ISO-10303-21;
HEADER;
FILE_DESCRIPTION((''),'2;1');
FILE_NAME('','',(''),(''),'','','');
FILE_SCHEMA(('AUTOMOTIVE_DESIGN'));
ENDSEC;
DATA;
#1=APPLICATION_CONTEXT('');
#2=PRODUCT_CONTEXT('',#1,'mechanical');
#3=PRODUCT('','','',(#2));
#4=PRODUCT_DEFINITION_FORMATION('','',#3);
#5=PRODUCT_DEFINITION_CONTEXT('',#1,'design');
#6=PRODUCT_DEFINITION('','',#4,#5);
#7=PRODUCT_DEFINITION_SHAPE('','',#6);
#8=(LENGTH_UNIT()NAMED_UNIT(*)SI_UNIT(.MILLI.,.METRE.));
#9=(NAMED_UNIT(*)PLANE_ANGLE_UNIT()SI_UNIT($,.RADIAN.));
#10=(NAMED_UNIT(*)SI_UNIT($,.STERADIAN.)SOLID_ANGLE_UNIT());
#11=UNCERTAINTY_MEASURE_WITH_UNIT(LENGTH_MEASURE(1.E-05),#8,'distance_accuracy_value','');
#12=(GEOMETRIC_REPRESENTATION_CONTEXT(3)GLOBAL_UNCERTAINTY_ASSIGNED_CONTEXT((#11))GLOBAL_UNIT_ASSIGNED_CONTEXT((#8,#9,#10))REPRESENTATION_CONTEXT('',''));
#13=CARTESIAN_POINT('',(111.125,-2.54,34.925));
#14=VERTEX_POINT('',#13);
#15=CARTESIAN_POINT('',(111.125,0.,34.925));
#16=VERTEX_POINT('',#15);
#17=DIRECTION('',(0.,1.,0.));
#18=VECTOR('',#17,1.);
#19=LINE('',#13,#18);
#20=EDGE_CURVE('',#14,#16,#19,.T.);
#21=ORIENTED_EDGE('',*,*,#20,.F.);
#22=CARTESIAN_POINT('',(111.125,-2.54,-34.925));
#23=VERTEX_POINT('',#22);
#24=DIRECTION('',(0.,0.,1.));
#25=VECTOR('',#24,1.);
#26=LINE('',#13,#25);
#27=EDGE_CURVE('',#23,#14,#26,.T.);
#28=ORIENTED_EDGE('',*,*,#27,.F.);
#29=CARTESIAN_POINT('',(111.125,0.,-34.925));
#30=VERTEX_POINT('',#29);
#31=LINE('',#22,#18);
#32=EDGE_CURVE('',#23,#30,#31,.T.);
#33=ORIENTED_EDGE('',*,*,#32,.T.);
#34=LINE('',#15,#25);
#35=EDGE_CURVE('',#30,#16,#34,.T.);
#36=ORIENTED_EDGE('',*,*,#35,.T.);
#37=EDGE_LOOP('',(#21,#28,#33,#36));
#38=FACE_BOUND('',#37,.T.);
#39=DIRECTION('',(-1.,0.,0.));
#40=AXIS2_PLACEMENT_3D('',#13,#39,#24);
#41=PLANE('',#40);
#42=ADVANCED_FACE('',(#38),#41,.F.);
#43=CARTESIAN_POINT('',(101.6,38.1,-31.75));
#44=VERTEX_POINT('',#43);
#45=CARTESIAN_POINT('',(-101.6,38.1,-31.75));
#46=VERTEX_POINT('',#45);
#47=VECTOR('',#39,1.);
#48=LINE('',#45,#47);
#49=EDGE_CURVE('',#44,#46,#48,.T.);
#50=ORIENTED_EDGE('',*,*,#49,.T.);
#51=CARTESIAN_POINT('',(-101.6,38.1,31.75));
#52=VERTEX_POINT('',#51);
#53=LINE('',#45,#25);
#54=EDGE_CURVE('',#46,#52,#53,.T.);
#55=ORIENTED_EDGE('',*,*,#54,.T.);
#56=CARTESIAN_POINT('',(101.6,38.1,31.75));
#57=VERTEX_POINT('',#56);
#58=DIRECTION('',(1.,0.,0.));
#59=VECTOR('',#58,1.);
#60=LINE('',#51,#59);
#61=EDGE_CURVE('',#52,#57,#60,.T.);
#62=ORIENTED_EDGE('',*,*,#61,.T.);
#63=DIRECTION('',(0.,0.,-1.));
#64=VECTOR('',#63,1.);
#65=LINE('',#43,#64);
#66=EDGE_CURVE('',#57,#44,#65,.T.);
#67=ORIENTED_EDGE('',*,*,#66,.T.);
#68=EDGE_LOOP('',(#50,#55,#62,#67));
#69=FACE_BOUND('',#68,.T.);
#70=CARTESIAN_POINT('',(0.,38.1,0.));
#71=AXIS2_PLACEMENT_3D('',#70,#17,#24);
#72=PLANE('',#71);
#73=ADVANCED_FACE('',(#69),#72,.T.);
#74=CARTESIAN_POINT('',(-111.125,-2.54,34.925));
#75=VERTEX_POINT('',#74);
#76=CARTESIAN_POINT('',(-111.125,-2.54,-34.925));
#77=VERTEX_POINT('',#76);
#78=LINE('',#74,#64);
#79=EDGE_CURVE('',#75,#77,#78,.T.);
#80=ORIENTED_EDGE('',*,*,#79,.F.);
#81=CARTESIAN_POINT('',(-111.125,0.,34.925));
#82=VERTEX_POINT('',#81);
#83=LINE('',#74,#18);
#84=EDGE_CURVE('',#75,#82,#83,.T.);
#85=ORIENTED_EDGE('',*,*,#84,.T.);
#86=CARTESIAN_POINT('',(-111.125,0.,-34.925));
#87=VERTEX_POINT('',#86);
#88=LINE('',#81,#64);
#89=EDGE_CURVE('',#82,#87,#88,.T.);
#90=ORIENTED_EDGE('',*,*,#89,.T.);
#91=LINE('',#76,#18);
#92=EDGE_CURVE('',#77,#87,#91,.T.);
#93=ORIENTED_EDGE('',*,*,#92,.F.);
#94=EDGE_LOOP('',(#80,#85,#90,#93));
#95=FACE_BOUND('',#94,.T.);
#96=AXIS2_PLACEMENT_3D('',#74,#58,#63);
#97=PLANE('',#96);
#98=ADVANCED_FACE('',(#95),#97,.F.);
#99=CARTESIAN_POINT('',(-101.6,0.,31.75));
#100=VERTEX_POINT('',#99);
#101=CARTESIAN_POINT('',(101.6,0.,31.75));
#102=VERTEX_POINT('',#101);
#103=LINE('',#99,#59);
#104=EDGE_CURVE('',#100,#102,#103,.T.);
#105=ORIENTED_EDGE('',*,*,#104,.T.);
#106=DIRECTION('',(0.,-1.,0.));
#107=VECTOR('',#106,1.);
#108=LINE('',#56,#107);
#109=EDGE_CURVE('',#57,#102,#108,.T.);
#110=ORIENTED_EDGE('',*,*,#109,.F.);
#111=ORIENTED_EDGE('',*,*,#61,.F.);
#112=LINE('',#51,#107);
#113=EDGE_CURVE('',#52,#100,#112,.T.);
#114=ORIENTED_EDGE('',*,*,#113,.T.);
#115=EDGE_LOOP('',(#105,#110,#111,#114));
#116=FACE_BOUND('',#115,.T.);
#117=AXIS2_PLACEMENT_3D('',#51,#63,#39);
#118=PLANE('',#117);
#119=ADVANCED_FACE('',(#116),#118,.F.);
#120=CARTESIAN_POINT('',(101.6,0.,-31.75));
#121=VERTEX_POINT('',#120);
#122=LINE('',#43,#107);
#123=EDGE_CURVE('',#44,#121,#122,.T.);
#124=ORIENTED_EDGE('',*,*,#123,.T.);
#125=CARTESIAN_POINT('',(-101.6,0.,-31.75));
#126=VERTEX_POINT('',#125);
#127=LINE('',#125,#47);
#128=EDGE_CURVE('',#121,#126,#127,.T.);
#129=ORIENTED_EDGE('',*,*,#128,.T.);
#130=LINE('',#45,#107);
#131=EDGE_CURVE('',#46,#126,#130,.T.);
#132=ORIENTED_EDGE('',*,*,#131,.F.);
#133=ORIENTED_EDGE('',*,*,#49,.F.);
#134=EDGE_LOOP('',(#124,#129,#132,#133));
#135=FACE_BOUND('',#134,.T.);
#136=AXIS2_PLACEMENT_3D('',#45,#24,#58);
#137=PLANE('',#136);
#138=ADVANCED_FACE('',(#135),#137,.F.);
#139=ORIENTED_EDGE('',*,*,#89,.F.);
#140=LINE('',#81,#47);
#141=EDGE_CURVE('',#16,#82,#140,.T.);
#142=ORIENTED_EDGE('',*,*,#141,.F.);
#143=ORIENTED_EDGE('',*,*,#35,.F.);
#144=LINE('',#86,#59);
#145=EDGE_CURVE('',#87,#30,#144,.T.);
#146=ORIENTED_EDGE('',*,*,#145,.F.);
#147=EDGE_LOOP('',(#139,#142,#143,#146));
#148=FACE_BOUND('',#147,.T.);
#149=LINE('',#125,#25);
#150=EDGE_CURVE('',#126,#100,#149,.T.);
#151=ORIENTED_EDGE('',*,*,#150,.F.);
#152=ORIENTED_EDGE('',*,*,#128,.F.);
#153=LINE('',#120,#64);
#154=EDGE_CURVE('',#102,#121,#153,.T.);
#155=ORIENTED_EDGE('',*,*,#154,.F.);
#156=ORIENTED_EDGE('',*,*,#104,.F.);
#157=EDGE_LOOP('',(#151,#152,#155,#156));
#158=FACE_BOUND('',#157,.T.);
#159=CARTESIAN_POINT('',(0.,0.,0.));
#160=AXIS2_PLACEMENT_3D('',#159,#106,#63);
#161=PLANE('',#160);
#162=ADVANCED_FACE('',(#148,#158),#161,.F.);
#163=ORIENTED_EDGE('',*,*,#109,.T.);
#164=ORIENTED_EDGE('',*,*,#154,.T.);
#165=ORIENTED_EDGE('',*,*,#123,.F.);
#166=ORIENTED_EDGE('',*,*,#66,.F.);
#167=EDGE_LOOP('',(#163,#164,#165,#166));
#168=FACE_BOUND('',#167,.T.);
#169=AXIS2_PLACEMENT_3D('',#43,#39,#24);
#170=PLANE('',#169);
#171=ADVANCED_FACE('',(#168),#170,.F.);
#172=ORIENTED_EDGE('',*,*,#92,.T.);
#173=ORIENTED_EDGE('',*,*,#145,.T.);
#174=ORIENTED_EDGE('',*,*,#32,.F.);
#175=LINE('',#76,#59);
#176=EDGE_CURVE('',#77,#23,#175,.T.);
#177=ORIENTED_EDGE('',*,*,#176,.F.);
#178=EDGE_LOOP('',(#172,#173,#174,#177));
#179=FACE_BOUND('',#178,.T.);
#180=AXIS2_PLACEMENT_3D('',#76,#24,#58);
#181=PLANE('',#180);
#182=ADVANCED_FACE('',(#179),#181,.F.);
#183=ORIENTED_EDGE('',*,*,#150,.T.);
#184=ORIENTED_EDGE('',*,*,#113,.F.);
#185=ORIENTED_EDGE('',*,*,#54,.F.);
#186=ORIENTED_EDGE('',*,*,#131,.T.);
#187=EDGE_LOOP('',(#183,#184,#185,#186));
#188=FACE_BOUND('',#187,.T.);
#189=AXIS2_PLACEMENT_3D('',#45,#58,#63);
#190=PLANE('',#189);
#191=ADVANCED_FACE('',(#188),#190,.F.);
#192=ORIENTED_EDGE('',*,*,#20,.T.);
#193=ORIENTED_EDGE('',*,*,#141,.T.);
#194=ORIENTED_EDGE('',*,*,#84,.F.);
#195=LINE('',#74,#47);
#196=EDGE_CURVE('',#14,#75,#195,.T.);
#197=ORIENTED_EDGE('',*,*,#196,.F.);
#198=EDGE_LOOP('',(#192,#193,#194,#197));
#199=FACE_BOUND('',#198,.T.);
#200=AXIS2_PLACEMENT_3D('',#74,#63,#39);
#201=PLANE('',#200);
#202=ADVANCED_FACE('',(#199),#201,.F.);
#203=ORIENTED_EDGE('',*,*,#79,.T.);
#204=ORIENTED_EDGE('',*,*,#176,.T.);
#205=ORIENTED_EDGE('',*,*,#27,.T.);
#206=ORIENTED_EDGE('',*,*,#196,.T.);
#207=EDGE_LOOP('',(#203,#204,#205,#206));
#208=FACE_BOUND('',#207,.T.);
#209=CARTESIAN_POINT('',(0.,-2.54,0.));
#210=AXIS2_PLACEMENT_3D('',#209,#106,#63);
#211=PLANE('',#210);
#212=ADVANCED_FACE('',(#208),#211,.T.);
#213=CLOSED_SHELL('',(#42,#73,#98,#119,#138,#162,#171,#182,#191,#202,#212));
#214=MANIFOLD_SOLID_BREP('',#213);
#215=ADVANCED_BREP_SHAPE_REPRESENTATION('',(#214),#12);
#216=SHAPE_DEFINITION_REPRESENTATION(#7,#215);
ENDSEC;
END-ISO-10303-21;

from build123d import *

# Parameters (mm, degrees)
SKETCH1_W           = 203.2
SKETCH1_H           = 63.5
BOSS_EXTRUDE1_DEPTH = 38.1
SKETCH2_W           = 222.25
SKETCH2_H           = 69.85
BOSS_EXTRUDE2_DEPTH = 2.54


with BuildPart() as part:
    # Sketch1 → Boss-Extrude1 (new body)
    with BuildSketch(Plane(origin=(0, 0, 0), x_dir=(1, 0, 0), z_dir=(0, 1, 0))):
        Rectangle(SKETCH1_W, SKETCH1_H)
    extrude(amount=BOSS_EXTRUDE1_DEPTH)

    # Sketch2 → Boss-Extrude2 (add)
    with BuildSketch(Plane.XZ):
        Rectangle(SKETCH2_W, SKETCH2_H)
    extrude(amount=BOSS_EXTRUDE2_DEPTH)


solid = part.part
